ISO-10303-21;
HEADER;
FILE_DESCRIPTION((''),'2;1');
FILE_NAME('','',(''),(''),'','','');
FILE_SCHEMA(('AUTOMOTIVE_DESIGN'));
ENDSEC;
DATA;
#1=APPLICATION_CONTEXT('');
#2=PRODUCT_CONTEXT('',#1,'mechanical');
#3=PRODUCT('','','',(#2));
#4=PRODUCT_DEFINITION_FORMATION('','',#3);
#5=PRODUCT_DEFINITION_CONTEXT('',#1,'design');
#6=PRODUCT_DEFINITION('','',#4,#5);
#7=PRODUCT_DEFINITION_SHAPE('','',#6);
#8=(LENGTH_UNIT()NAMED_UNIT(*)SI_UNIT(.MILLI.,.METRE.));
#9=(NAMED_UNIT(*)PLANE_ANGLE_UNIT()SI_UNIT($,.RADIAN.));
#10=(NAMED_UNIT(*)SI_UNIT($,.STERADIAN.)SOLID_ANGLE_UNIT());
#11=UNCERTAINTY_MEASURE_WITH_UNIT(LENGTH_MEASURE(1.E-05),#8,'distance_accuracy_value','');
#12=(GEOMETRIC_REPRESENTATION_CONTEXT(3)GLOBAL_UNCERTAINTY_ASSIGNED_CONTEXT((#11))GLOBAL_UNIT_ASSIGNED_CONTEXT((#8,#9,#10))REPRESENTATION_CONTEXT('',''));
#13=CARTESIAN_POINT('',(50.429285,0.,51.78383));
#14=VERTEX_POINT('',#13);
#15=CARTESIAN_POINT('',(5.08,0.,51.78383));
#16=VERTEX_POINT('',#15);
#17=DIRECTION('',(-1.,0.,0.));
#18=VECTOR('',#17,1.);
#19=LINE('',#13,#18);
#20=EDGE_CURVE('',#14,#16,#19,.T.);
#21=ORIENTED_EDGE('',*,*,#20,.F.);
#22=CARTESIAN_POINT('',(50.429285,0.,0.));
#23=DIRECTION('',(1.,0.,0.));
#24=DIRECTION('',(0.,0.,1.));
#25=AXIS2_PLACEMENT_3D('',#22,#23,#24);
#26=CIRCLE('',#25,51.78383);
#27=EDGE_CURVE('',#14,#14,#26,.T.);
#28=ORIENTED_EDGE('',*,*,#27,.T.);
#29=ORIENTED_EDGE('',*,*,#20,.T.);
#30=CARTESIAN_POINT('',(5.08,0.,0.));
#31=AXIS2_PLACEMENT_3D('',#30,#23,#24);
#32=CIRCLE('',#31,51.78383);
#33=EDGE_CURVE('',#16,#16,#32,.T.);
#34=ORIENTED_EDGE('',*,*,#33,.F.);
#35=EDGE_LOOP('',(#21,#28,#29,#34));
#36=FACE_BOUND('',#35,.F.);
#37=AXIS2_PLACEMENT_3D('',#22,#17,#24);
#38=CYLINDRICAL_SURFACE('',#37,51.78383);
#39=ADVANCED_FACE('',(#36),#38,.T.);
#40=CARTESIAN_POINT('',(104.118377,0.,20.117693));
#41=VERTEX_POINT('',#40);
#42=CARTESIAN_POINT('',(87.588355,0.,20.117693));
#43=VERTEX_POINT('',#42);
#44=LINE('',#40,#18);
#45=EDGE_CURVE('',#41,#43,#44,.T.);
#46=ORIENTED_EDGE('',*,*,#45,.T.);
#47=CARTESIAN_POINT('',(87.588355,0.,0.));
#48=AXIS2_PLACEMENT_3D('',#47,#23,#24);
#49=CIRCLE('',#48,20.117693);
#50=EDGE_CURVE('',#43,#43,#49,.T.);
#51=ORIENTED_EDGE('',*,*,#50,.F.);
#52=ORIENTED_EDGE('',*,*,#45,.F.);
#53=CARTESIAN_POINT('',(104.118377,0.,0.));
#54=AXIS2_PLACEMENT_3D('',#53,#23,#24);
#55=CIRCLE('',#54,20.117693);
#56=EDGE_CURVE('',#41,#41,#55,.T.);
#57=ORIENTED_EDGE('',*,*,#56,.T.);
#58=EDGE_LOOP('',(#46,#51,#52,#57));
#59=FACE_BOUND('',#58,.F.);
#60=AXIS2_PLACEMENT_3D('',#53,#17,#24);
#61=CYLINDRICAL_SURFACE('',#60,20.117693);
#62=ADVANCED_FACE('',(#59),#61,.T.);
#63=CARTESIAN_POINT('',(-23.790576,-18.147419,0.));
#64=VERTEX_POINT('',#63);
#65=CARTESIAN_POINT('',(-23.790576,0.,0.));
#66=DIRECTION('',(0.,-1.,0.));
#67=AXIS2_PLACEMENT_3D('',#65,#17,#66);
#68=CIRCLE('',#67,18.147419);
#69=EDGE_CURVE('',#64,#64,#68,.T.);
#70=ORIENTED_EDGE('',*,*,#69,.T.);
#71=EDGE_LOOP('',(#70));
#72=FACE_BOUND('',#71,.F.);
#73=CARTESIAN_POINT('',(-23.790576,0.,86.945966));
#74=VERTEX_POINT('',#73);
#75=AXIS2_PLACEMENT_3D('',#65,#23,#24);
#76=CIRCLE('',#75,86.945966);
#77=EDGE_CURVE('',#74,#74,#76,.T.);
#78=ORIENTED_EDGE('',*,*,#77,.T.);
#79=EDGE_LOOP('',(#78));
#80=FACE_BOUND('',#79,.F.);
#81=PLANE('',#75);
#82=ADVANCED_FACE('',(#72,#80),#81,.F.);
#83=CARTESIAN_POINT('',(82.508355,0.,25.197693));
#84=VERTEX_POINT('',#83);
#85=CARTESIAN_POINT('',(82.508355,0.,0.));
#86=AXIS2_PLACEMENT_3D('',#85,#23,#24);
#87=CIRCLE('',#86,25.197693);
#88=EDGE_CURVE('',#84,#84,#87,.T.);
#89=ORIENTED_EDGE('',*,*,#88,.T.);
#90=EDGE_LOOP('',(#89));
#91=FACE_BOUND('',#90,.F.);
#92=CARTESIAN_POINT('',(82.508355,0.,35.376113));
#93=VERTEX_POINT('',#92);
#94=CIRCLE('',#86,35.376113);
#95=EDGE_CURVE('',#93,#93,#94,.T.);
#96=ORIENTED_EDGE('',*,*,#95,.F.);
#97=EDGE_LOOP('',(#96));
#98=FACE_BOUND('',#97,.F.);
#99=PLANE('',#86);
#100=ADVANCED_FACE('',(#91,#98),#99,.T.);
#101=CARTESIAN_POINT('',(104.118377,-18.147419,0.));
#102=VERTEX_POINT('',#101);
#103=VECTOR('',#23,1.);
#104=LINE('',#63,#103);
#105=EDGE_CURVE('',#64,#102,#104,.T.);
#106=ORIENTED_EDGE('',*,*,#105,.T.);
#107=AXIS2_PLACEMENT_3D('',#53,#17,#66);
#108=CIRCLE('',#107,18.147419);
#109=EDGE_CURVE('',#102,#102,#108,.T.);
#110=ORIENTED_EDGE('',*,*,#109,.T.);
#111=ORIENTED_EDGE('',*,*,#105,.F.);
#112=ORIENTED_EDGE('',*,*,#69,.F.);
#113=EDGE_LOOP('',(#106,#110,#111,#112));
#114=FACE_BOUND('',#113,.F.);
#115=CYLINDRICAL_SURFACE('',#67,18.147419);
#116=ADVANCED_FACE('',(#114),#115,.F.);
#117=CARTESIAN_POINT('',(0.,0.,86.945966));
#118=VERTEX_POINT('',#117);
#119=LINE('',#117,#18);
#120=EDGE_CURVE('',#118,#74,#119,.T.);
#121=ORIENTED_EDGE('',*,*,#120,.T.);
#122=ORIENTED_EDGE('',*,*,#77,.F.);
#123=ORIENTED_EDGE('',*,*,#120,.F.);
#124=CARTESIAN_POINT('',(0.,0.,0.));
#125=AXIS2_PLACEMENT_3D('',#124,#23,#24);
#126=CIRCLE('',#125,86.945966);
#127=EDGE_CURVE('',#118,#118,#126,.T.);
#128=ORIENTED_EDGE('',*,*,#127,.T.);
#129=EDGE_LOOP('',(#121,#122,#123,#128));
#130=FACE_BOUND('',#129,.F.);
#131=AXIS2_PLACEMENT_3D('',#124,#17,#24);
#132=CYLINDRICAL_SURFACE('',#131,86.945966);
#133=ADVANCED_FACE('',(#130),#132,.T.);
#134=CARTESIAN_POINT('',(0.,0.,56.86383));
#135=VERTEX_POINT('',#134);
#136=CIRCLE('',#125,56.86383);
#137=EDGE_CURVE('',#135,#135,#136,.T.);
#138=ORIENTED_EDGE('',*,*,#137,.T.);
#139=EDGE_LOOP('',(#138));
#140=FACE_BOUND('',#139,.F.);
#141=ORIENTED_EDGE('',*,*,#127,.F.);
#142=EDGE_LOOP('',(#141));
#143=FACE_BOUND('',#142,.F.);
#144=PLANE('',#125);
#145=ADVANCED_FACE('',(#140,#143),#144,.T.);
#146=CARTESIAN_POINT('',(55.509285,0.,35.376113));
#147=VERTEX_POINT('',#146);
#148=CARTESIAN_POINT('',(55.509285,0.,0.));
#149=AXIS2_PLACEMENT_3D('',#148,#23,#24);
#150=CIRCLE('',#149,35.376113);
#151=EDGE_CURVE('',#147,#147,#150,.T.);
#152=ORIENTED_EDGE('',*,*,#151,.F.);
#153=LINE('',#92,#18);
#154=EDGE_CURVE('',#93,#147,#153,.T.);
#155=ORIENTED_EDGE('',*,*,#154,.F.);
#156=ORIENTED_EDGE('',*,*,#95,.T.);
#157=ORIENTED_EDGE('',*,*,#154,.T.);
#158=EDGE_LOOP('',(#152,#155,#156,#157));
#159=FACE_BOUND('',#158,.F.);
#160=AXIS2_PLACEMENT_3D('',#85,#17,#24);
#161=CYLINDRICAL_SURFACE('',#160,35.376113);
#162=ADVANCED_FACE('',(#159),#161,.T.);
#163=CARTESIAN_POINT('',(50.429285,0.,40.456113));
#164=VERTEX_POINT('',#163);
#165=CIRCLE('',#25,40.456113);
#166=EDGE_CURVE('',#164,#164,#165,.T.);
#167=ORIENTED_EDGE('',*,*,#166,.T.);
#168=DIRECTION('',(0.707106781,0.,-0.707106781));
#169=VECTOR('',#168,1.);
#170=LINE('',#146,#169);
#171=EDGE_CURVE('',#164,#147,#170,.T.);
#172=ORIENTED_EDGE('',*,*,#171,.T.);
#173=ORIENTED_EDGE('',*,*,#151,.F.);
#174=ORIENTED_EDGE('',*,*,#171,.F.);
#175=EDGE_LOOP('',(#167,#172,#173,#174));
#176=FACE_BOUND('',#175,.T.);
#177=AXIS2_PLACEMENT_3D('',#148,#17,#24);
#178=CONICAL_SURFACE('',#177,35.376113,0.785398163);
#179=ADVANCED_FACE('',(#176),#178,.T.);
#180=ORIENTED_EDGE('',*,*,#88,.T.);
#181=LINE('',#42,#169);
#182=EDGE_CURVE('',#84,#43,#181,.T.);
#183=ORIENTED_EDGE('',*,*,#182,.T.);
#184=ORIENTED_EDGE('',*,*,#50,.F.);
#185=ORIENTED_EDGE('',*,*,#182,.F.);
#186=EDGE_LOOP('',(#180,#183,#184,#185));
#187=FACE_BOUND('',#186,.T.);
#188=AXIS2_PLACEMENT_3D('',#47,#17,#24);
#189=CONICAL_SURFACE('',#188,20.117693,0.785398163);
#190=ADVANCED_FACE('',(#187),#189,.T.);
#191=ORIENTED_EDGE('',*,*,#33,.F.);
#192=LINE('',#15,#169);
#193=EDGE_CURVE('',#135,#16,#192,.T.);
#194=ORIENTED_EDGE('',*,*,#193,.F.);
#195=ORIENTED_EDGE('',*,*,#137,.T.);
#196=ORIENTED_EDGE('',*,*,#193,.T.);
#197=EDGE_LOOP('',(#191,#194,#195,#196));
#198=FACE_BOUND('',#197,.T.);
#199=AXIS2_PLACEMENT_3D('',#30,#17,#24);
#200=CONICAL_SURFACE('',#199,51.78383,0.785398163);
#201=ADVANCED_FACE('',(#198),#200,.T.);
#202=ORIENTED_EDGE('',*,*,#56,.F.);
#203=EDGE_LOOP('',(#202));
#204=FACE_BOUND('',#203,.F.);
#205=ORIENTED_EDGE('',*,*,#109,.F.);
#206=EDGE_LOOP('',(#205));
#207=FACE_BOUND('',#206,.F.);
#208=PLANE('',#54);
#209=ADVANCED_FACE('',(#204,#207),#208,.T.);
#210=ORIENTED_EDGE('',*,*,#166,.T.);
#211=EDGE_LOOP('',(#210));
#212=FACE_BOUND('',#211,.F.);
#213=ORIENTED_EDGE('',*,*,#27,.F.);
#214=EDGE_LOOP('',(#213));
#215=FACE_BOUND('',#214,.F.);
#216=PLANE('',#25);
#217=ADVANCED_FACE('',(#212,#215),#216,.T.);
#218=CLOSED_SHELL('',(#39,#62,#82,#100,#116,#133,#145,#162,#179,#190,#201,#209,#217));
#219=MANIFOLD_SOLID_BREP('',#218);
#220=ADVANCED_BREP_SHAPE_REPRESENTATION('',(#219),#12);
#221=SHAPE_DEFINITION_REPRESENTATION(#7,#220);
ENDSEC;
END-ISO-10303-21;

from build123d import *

# Parameters (mm, degrees)
F2_SIZE  = 5.08
F3_SIZE  = 5.08
F4_R     = 18.147419
F5_DEPTH = 127.908953


with BuildPart() as f1:
    # F0 (on Front) → F1 (revolve)
    with BuildSketch(Plane.XZ):
        Polygon((0, 51.78383), (0, 86.945966), (-23.790576, 86.945966), (-23.790576, 0), (0, 0), (104.118377, 0), (104.118377, 20.117693), (82.508355, 20.117693), (82.508355, 35.376113), (50.429285, 35.376113), (50.429285, 51.78383), align=None)
    revolve(axis=Axis((-54.851383, 0, 0), (1, 0, 0)))

    # F2
    f2_edges = [f1.edges().sort_by_distance(p)[0] for p in [
        (0, 0, -51.78383),
    ]]
    chamfer(f2_edges, length=F2_SIZE)

    # F3
    f3_edges = [f1.edges().sort_by_distance(p)[0] for p in [
        (50.429285, 0, -35.376113),
        (82.508355, 0, -20.117693),
    ]]
    chamfer(f3_edges, length=F3_SIZE)

    # F4 (on face) → F5 (cut, through all)
    with BuildSketch(Plane(origin=(-23.790576, 0, 0), x_dir=(0, -1, 0), z_dir=(-1, 0, 0))):
        Circle(F4_R)
    extrude(amount=-F5_DEPTH, mode=Mode.SUBTRACT)


solid = f1.part
